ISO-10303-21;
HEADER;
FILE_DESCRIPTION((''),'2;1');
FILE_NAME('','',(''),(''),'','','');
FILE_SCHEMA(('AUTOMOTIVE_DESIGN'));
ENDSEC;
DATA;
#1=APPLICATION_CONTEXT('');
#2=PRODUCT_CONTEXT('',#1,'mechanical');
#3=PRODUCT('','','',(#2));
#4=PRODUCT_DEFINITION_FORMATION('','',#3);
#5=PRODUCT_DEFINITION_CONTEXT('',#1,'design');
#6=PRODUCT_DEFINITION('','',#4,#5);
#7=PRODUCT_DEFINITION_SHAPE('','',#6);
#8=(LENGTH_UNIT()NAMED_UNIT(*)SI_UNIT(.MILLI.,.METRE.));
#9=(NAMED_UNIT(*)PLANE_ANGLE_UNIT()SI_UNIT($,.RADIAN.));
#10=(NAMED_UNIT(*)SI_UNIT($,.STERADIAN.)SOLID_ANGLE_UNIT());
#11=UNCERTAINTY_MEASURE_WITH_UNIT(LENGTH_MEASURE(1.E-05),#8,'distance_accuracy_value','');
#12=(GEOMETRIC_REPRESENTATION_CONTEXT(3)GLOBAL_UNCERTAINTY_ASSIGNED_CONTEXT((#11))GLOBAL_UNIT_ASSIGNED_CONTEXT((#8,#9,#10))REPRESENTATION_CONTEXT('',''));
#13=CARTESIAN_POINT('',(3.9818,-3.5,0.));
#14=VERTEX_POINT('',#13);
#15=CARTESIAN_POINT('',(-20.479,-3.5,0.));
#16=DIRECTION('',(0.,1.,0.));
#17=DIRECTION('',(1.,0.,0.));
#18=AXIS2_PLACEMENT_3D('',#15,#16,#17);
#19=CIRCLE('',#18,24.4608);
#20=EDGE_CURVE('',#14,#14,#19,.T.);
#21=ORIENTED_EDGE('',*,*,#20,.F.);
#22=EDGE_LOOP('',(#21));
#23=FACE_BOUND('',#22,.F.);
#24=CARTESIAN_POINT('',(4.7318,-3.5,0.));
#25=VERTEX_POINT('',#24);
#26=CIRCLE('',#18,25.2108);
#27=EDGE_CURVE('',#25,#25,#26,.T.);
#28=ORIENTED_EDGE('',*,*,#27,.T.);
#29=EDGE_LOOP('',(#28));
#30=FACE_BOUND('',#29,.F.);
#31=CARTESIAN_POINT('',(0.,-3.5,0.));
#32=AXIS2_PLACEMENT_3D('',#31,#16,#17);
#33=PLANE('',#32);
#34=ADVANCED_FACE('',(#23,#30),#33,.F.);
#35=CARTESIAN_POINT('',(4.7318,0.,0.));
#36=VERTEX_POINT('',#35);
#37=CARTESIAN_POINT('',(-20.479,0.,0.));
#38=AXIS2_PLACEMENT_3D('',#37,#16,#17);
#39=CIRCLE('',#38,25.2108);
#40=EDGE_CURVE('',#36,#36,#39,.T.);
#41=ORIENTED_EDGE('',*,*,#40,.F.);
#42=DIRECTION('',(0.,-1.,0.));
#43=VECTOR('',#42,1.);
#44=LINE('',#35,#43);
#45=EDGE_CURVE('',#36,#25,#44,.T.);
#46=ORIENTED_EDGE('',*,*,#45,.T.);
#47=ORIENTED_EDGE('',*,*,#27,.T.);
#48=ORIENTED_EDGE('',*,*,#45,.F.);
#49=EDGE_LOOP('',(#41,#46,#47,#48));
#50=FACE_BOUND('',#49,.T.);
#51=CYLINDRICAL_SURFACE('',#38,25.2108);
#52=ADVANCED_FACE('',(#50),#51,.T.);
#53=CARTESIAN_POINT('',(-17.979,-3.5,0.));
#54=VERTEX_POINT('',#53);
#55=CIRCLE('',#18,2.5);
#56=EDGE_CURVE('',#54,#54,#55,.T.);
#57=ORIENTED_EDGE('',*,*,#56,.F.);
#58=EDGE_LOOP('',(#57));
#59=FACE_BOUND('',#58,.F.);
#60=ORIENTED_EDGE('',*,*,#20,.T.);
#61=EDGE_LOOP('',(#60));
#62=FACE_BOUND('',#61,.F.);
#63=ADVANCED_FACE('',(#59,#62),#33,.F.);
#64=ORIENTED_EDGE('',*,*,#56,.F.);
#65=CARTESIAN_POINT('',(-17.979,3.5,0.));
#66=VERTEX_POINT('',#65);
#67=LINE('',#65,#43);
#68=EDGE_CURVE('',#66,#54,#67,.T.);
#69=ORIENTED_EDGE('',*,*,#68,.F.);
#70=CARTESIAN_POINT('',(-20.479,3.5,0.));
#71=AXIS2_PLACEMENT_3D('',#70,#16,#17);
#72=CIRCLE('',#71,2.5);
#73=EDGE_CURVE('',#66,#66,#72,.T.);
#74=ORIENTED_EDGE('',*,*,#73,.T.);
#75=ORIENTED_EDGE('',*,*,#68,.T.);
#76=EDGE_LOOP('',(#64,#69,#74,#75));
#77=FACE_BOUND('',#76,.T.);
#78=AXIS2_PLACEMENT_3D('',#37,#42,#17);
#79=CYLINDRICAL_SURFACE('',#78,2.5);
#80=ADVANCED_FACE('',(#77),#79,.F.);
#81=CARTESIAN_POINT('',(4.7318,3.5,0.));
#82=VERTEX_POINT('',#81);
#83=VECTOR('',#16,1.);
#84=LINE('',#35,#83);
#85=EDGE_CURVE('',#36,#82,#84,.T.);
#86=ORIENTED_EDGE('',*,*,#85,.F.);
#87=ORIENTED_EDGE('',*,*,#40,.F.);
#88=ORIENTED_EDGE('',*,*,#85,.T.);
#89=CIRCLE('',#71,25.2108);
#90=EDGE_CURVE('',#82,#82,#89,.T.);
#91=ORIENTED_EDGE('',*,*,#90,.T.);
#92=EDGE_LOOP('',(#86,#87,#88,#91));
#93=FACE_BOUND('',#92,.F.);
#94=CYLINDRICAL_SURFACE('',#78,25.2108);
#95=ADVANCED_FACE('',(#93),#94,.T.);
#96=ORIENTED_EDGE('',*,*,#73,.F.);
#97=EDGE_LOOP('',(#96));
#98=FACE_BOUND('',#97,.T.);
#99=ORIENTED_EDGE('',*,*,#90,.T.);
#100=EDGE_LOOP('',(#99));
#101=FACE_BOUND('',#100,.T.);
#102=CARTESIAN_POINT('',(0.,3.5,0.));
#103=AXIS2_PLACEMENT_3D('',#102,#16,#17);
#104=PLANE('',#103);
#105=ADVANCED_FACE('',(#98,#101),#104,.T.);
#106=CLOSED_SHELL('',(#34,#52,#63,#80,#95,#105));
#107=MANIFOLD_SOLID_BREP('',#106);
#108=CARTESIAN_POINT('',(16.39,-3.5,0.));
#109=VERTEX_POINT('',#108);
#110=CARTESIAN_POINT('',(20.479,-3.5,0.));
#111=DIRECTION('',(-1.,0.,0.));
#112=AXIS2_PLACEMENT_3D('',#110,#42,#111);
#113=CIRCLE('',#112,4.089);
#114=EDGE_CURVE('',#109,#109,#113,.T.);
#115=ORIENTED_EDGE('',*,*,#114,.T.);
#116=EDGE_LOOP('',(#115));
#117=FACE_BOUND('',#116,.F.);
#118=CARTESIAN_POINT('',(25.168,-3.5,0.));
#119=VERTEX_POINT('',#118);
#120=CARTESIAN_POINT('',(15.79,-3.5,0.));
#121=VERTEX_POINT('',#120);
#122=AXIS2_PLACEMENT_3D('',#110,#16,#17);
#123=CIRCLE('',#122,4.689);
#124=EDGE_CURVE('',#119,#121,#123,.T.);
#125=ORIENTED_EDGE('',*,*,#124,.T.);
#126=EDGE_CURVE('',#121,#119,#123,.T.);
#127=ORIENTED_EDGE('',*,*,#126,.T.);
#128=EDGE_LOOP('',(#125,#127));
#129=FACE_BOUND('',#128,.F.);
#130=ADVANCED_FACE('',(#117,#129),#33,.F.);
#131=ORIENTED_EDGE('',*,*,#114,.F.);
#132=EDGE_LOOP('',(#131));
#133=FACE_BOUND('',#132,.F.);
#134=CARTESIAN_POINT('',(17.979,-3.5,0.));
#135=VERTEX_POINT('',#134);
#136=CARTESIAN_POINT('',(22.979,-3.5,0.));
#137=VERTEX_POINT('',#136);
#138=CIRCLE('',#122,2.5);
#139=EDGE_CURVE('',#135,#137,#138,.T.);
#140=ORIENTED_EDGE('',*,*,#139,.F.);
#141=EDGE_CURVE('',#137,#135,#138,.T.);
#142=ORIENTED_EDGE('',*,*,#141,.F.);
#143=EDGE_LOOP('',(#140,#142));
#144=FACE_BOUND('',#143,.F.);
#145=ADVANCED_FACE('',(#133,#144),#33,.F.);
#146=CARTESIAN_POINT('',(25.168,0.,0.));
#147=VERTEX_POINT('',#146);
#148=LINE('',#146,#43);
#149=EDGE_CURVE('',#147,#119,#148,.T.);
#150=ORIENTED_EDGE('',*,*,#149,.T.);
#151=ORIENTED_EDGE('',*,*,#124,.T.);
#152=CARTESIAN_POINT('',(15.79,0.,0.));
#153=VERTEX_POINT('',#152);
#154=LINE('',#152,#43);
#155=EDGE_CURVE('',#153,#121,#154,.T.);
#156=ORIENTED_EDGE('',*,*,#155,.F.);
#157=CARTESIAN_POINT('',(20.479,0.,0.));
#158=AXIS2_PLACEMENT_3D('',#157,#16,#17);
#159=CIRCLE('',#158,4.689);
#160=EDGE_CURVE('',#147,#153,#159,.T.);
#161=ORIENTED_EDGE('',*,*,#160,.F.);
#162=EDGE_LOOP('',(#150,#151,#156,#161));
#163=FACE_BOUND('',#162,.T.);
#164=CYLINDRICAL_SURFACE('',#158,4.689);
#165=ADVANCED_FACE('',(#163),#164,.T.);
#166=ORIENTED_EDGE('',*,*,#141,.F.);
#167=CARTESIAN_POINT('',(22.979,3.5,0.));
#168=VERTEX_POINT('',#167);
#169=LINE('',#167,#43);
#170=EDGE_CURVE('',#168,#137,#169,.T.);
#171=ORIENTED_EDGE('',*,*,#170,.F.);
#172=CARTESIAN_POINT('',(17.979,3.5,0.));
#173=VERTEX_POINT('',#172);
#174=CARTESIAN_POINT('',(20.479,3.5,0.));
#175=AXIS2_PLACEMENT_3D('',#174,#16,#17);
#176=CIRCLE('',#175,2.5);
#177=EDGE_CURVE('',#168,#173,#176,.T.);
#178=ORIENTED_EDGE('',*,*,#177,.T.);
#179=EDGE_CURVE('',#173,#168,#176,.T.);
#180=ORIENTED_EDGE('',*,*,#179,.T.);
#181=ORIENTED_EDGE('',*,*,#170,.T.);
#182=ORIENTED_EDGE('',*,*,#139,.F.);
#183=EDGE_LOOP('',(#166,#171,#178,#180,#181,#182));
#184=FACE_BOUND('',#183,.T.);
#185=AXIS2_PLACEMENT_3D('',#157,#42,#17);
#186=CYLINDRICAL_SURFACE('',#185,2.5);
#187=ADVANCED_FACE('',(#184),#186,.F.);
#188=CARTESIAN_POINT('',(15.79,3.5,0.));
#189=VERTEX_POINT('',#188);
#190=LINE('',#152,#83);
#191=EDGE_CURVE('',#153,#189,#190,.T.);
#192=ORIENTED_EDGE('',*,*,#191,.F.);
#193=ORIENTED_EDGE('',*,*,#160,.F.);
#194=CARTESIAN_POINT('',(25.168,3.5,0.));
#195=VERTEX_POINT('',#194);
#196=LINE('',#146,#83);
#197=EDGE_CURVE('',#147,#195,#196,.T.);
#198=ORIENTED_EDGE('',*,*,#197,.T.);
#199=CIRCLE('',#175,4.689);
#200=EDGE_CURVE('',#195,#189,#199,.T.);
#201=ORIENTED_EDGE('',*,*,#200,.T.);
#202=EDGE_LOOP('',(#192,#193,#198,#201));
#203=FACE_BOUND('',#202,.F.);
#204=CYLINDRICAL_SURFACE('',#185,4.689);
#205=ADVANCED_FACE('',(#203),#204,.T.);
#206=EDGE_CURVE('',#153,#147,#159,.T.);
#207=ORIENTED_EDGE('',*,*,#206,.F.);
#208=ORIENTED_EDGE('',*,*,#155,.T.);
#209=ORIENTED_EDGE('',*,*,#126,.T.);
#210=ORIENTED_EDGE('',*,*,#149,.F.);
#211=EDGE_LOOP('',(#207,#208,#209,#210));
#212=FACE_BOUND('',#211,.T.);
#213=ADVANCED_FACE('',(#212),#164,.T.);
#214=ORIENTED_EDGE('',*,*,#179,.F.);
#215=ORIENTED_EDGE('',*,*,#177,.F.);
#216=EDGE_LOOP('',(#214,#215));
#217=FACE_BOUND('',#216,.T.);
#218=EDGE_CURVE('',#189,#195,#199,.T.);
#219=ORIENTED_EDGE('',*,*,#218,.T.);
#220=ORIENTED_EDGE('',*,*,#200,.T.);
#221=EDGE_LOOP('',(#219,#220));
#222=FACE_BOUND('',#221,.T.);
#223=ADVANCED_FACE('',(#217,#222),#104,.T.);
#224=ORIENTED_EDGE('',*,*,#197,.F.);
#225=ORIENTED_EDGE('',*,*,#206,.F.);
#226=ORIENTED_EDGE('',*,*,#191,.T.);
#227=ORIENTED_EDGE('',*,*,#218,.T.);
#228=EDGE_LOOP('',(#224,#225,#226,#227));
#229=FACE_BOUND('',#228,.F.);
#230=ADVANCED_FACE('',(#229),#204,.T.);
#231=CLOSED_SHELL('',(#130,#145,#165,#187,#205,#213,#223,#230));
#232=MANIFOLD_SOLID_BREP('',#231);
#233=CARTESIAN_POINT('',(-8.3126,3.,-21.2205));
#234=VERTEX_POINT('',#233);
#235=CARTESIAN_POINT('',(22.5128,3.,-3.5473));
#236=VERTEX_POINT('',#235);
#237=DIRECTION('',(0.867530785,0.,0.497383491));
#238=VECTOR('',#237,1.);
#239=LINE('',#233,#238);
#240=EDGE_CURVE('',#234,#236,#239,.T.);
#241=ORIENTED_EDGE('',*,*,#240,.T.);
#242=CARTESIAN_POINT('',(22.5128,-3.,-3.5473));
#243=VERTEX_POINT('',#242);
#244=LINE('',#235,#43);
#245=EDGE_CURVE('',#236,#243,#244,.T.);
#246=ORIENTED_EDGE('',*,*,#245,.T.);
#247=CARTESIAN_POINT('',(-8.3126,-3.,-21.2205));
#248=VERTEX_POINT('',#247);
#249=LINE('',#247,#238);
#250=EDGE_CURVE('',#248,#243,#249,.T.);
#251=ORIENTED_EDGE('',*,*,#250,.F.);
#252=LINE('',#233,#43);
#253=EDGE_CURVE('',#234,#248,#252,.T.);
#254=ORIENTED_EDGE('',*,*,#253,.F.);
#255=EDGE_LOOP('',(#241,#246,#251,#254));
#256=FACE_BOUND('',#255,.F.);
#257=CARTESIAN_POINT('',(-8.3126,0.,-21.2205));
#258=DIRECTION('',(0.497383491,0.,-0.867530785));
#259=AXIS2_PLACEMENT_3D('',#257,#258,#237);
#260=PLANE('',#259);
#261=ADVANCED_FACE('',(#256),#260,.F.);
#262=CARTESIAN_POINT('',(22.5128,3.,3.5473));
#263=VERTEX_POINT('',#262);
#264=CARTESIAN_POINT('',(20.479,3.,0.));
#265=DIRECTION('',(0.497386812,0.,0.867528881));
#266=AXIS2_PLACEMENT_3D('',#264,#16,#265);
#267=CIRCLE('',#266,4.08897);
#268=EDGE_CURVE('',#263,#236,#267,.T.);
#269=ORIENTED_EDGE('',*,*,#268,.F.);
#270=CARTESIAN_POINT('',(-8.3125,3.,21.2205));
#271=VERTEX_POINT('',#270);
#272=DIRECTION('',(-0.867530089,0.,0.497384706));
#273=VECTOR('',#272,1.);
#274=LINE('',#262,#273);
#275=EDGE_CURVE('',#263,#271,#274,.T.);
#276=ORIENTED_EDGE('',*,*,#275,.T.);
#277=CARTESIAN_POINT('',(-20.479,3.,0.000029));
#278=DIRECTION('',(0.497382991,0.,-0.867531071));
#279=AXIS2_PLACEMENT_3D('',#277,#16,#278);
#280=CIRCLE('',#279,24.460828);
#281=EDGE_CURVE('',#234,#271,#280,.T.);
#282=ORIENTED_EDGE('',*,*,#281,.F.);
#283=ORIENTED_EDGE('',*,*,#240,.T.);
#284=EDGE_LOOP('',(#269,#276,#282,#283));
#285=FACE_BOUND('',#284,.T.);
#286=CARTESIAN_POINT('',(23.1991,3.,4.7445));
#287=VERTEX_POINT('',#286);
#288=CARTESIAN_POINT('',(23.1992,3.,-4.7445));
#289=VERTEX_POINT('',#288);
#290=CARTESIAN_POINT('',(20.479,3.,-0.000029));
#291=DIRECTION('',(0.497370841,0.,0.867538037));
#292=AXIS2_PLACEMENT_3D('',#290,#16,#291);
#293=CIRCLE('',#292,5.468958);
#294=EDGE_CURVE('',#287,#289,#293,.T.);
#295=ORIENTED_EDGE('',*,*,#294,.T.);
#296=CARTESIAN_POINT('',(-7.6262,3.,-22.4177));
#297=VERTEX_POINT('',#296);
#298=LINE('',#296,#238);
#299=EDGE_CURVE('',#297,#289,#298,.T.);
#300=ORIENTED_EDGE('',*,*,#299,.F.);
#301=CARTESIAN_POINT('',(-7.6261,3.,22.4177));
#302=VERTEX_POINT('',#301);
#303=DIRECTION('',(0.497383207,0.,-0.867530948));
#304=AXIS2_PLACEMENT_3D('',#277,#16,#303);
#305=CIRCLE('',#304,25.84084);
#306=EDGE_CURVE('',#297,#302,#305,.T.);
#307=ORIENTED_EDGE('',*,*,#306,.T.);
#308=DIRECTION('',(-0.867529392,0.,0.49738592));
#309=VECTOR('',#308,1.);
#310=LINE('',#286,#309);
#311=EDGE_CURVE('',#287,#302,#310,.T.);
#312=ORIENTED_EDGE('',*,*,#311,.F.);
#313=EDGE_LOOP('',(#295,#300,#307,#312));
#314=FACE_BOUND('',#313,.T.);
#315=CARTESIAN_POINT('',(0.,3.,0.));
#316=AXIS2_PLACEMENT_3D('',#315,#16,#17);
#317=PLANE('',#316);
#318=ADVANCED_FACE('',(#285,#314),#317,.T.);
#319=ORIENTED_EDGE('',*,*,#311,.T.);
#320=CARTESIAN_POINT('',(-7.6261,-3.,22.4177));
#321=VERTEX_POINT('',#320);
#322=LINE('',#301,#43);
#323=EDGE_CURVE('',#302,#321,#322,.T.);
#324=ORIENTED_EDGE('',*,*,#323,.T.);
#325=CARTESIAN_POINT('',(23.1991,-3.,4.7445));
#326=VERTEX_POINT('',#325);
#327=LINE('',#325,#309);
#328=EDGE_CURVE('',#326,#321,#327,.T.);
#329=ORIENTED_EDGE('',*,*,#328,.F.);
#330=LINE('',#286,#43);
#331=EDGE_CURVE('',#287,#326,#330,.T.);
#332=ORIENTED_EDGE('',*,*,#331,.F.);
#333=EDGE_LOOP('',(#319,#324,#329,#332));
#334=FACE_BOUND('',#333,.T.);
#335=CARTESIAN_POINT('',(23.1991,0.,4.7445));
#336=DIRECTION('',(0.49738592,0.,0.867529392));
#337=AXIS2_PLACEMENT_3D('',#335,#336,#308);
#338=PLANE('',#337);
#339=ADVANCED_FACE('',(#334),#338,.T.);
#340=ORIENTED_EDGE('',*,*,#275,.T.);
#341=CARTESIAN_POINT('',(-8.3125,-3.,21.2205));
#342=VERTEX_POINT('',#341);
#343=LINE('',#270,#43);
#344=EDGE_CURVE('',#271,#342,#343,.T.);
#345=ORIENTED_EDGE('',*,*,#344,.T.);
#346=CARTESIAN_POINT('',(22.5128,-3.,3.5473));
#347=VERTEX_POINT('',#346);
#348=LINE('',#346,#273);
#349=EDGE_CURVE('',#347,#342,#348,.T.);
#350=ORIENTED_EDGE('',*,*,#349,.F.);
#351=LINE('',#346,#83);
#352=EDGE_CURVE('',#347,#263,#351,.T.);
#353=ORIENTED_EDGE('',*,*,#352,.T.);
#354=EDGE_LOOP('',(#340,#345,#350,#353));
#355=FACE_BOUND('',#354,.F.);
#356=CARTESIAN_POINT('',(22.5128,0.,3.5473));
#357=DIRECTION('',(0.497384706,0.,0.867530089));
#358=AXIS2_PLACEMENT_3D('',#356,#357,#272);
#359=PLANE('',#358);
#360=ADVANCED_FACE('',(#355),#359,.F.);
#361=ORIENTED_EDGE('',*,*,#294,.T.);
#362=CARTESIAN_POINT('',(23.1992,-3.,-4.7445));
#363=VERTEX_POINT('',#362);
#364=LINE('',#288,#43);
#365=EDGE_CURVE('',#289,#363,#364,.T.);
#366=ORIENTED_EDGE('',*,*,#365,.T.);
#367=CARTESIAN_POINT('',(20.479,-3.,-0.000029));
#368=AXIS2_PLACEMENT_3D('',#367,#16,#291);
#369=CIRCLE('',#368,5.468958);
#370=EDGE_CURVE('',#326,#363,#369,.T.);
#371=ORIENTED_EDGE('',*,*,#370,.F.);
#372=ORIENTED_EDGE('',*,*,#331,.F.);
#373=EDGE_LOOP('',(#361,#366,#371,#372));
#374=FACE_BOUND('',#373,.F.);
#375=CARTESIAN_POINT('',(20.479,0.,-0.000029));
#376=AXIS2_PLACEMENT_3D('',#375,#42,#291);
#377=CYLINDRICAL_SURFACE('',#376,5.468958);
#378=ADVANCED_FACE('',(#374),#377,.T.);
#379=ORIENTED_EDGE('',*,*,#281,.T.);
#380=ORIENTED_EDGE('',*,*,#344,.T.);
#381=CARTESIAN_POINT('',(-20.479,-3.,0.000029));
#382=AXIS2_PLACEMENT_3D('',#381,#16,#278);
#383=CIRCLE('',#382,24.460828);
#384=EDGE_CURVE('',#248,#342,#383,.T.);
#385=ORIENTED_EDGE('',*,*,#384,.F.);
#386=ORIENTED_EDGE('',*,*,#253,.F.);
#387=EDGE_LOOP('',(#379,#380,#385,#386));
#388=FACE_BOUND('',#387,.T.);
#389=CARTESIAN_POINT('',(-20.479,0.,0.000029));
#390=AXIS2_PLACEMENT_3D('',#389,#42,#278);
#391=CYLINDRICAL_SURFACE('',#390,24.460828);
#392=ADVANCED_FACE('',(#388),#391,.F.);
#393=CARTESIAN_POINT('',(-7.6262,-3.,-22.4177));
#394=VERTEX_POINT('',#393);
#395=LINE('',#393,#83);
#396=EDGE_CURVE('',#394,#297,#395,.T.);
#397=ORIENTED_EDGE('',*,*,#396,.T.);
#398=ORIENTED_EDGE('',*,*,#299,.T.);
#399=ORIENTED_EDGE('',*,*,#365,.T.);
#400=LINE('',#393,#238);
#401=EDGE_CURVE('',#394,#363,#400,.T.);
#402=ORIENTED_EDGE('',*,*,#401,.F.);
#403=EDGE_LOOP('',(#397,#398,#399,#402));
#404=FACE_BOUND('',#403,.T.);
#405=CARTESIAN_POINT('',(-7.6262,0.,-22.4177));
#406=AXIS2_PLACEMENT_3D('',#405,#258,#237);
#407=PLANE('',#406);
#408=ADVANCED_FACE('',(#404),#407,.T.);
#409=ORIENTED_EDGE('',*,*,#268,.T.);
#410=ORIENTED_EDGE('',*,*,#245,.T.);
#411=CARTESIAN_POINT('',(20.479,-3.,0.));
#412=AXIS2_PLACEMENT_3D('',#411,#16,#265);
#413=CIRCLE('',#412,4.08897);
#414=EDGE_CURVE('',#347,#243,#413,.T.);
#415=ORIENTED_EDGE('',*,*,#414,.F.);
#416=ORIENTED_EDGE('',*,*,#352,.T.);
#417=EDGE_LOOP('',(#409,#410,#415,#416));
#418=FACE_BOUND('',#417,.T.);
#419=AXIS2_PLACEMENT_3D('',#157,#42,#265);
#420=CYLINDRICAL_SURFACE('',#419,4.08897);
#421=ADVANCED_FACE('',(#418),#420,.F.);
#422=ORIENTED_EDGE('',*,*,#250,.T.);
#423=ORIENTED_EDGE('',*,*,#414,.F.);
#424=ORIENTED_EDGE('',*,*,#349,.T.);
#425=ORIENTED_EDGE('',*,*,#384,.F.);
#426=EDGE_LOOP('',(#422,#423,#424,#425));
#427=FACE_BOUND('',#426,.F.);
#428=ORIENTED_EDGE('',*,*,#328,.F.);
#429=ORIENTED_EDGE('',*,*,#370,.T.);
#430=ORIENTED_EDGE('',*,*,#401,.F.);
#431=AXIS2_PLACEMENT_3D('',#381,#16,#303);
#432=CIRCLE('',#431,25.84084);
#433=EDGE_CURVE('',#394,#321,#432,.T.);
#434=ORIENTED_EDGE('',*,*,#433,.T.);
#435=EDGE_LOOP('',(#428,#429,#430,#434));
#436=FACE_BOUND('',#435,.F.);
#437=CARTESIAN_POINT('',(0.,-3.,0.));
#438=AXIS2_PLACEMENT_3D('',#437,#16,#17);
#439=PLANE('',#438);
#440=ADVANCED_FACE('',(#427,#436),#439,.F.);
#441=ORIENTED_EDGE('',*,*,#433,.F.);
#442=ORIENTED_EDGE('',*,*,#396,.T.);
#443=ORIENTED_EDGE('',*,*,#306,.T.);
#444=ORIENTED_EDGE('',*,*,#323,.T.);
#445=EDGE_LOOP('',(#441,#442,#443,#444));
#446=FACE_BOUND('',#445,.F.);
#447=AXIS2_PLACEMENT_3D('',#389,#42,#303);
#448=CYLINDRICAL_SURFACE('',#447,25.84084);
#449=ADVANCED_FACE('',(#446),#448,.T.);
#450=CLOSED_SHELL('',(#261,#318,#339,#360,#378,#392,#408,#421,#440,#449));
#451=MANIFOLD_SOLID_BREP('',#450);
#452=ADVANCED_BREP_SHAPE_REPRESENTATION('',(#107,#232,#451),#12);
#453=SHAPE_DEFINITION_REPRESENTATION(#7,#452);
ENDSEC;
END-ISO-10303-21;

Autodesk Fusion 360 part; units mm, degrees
sketch "Sketch1" plane through (0, 0, 0) normal (0, 1, 0) x (1, 0, 0) in component "Pulley1"
  line L0 (-20.479, 0) -> (20.479, 0)
  circle A0 centre (-20.479, 0) radius 25.2108
  circle A1 centre (-20.479, 0) radius 24.4608
  line L1 (-20.479, 0) -> (-20.479, -25.2108) construction
  line L2 (-20.479, 0) -> (-18.501, -25.1331) construction
  circle A2 centre (-20.479, 0) radius 25.0608 construction
  circle A3 centre (-20.479, 0) radius 2.5
  dimension "d133" = 40.958
  dimension "d134" = 50.4216
  dimension "d135" = -0.75
  dimension "d136" = 4.5
  dimension "d142" = 5
extrude "Extrude2" add sketch "Sketch1" along normal mid plane 7 contours A1 | A0 makes body 1 in component "Pulley1"
sketch "Sketch1 (2)" plane through (0, 0, 0) normal (0, 1, 0) x (1, 0, 0) in component "Pulley2"
  line L0 (20.479, 0) -> (-20.479, 0)
  circle A0 centre (20.479, 0) radius 4.839 construction
  circle A1 centre (20.479, 0) radius 4.089
  circle A2 centre (20.479, 0) radius 4.689
  line L1 (20.479, 0) -> (20.479, -4.839) construction
  line L2 (20.479, 0) -> (18.6272, -4.4706) construction
  line L3 (20.479, -4.089) -> (20.479, -4.644) construction
  line L4 (18.9142, -3.7777) -> (18.7018, -4.2905) construction
  circle A3 centre (20.479, 0) radius 2.5
  dimension "d149" = 40.958
  dimension "d150" = 9.6779
  dimension "d151" = -0.75
  dimension "d153" = 22.5
  dimension "d187" = 0.555
  dimension "d188" = 0.555
  dimension "d196" = 5
sketch "Sketch2" plane through (0, 0, 0) normal (0, 1, 0) x (1, 0, 0) in component "Belt"
  line L0 (20.479, 0) -> (-20.479, 0)
  circle A0 centre (-20.479, 0) radius 25.2108 construction
  line L1 (-20.479, 0) -> (-20.479, -25.2108) construction
  circle A1 centre (-20.479, 0) radius 24.4608 construction
  circle A2 centre (20.479, 0) radius 5.093 construction
  line L2 (62.777, 18.3802) -> (-7.8132, -22.0915) construction
  line L3 (39.5189, -5.0456) -> (-31.5457, 35.6981) construction
  line L4 (23.0121, -4.4183) -> (-7.8132, -22.0915)
  line L5 (-7.8132, 22.0915) -> (23.0121, 4.4183)
  arc A3 (23.0121, -4.4183) -> (23.0121, 4.4183) centre (20.479, 0) ccw
  arc A4 (-7.8132, 22.0915) -> (-7.8132, -22.0915) centre (-20.479, 0) ccw
  arc A5 (-7.6262, 22.4177) -> (-7.6261, -22.4177) centre (-20.479, 0) ccw
  line L6 (23.1991, -4.7445) -> (-7.6261, -22.4177)
  arc A6 (23.1991, -4.7445) -> (23.1992, 4.7445) centre (20.479, 0) ccw
  line L7 (-7.6262, 22.4177) -> (23.1992, 4.7445)
  line L8 (22.5128, -3.5473) -> (-8.3125, -21.2205)
  arc A7 (-8.3126, 21.2205) -> (-8.3125, -21.2205) centre (-20.479, 0) ccw
  line L9 (-8.3126, 21.2205) -> (22.5128, 3.5473)
  arc A8 (22.5128, -3.5473) -> (22.5128, 3.5473) centre (20.479, 0) ccw
  line L10 (22.8361, -4.1112) -> (-7.9892, -21.7844)
  arc A9 (-7.9893, 21.7844) -> (-7.9892, -21.7844) centre (-20.479, 0) ccw
  line L11 (-7.9893, 21.7844) -> (22.8361, 4.1112)
  arc A10 (22.8361, -4.1112) -> (22.8361, 4.1112) centre (20.479, 0) ccw
  point P0 (-23.0331, -25.0158)
  dimension "d165" = 40.958
  dimension "d166" = 50.4216
  dimension "d167" = -0.75
  dimension "d171" = 50.9296
  dimension "d172" = 10.1859
  dimension "d174" = 81.916
  dimension "d177" = -0.354
extrude "Extrude2'" add sketch "Sketch2" along normal mid plane 6 separate body contours L4 L5 A3 A4 | A5 L6 A6 L7 | L10 A9 L11 A10 makes body 2 in component "Belt"
extrude "Extrude4" add sketch "Sketch1 (2)" along normal mid plane 7 separate body contours A1 | A2 makes body 3 in component "Pulley2"
component "Pulley1" placed x (1, 0, 0) y (0, 1, 0) z (0, 0, 1) at (0, 0, 0)
component "Pulley2" placed x (1, 0, 0) y (0, 1, 0) z (0, 0, 1) at (0, 0, 0)
component "Belt" placed x (1, 0, 0) y (0, 1, 0) z (0, 0, 1) at (0, 0, 0)
equation "C2C = ( ( varA + sqrt(pow(varA; 2) - 2 * varB) ) / 4 ) * 1 mm"
equation "beltThickness = 1.38 mm"
equation "rearBeltThickness = beltThickness - 1.004 mm"
equation "frontBeltThickness = beltThickness - 0.376 mm"
equation "beltWidth = 6 mm"
equation "ToothHeight = -0.75 mm"
equation "OD1 = ( D1 * mm ) - ( 2 * U )"
equation "OD2 = ( D2 * mm ) - ( 2 * U )"
equation "toothD = ( 0.555 * 2 ) * 1 mm"
equation "pulleyToothRound = ( 0.15 * 2 ) * 1 mm"
equation "pulleyWidth = beltWidth + 1 mm"
equation "boreID = 5 mm"
equation "toothPD = 0.15 mm"
equation "RD1 = ( ( 360 / Pulley1ToothCount ) * 1 deg )"
equation "RD2 = ( ( 360 / Pulley2ToothCount ) * 1 deg )"
equation "d133 = C2C"
equation "d134 = OD1"
equation "d135 = ToothHeight"
equation "d136 = RD1"
equation "d147 = pulleyWidth"
equation "d149 = C2C"
equation "d150 = OD2"
equation "d151 = ToothHeight"
equation "d153 = RD2"
equation "d165 = C2C"
equation "d166 = OD1"
equation "d167 = ToothHeight"
equation "d171 = D1 * mm"
equation "d172 = D2 * mm"
equation "d174 = C2C * 2"
equation "d177 = -frontBeltThickness + 0.65 mm"
equation "d182 = beltWidth"
equation "d187 = toothD / 2"
equation "d188 = toothD / 2"
equation "d197 = pulleyWidth"
